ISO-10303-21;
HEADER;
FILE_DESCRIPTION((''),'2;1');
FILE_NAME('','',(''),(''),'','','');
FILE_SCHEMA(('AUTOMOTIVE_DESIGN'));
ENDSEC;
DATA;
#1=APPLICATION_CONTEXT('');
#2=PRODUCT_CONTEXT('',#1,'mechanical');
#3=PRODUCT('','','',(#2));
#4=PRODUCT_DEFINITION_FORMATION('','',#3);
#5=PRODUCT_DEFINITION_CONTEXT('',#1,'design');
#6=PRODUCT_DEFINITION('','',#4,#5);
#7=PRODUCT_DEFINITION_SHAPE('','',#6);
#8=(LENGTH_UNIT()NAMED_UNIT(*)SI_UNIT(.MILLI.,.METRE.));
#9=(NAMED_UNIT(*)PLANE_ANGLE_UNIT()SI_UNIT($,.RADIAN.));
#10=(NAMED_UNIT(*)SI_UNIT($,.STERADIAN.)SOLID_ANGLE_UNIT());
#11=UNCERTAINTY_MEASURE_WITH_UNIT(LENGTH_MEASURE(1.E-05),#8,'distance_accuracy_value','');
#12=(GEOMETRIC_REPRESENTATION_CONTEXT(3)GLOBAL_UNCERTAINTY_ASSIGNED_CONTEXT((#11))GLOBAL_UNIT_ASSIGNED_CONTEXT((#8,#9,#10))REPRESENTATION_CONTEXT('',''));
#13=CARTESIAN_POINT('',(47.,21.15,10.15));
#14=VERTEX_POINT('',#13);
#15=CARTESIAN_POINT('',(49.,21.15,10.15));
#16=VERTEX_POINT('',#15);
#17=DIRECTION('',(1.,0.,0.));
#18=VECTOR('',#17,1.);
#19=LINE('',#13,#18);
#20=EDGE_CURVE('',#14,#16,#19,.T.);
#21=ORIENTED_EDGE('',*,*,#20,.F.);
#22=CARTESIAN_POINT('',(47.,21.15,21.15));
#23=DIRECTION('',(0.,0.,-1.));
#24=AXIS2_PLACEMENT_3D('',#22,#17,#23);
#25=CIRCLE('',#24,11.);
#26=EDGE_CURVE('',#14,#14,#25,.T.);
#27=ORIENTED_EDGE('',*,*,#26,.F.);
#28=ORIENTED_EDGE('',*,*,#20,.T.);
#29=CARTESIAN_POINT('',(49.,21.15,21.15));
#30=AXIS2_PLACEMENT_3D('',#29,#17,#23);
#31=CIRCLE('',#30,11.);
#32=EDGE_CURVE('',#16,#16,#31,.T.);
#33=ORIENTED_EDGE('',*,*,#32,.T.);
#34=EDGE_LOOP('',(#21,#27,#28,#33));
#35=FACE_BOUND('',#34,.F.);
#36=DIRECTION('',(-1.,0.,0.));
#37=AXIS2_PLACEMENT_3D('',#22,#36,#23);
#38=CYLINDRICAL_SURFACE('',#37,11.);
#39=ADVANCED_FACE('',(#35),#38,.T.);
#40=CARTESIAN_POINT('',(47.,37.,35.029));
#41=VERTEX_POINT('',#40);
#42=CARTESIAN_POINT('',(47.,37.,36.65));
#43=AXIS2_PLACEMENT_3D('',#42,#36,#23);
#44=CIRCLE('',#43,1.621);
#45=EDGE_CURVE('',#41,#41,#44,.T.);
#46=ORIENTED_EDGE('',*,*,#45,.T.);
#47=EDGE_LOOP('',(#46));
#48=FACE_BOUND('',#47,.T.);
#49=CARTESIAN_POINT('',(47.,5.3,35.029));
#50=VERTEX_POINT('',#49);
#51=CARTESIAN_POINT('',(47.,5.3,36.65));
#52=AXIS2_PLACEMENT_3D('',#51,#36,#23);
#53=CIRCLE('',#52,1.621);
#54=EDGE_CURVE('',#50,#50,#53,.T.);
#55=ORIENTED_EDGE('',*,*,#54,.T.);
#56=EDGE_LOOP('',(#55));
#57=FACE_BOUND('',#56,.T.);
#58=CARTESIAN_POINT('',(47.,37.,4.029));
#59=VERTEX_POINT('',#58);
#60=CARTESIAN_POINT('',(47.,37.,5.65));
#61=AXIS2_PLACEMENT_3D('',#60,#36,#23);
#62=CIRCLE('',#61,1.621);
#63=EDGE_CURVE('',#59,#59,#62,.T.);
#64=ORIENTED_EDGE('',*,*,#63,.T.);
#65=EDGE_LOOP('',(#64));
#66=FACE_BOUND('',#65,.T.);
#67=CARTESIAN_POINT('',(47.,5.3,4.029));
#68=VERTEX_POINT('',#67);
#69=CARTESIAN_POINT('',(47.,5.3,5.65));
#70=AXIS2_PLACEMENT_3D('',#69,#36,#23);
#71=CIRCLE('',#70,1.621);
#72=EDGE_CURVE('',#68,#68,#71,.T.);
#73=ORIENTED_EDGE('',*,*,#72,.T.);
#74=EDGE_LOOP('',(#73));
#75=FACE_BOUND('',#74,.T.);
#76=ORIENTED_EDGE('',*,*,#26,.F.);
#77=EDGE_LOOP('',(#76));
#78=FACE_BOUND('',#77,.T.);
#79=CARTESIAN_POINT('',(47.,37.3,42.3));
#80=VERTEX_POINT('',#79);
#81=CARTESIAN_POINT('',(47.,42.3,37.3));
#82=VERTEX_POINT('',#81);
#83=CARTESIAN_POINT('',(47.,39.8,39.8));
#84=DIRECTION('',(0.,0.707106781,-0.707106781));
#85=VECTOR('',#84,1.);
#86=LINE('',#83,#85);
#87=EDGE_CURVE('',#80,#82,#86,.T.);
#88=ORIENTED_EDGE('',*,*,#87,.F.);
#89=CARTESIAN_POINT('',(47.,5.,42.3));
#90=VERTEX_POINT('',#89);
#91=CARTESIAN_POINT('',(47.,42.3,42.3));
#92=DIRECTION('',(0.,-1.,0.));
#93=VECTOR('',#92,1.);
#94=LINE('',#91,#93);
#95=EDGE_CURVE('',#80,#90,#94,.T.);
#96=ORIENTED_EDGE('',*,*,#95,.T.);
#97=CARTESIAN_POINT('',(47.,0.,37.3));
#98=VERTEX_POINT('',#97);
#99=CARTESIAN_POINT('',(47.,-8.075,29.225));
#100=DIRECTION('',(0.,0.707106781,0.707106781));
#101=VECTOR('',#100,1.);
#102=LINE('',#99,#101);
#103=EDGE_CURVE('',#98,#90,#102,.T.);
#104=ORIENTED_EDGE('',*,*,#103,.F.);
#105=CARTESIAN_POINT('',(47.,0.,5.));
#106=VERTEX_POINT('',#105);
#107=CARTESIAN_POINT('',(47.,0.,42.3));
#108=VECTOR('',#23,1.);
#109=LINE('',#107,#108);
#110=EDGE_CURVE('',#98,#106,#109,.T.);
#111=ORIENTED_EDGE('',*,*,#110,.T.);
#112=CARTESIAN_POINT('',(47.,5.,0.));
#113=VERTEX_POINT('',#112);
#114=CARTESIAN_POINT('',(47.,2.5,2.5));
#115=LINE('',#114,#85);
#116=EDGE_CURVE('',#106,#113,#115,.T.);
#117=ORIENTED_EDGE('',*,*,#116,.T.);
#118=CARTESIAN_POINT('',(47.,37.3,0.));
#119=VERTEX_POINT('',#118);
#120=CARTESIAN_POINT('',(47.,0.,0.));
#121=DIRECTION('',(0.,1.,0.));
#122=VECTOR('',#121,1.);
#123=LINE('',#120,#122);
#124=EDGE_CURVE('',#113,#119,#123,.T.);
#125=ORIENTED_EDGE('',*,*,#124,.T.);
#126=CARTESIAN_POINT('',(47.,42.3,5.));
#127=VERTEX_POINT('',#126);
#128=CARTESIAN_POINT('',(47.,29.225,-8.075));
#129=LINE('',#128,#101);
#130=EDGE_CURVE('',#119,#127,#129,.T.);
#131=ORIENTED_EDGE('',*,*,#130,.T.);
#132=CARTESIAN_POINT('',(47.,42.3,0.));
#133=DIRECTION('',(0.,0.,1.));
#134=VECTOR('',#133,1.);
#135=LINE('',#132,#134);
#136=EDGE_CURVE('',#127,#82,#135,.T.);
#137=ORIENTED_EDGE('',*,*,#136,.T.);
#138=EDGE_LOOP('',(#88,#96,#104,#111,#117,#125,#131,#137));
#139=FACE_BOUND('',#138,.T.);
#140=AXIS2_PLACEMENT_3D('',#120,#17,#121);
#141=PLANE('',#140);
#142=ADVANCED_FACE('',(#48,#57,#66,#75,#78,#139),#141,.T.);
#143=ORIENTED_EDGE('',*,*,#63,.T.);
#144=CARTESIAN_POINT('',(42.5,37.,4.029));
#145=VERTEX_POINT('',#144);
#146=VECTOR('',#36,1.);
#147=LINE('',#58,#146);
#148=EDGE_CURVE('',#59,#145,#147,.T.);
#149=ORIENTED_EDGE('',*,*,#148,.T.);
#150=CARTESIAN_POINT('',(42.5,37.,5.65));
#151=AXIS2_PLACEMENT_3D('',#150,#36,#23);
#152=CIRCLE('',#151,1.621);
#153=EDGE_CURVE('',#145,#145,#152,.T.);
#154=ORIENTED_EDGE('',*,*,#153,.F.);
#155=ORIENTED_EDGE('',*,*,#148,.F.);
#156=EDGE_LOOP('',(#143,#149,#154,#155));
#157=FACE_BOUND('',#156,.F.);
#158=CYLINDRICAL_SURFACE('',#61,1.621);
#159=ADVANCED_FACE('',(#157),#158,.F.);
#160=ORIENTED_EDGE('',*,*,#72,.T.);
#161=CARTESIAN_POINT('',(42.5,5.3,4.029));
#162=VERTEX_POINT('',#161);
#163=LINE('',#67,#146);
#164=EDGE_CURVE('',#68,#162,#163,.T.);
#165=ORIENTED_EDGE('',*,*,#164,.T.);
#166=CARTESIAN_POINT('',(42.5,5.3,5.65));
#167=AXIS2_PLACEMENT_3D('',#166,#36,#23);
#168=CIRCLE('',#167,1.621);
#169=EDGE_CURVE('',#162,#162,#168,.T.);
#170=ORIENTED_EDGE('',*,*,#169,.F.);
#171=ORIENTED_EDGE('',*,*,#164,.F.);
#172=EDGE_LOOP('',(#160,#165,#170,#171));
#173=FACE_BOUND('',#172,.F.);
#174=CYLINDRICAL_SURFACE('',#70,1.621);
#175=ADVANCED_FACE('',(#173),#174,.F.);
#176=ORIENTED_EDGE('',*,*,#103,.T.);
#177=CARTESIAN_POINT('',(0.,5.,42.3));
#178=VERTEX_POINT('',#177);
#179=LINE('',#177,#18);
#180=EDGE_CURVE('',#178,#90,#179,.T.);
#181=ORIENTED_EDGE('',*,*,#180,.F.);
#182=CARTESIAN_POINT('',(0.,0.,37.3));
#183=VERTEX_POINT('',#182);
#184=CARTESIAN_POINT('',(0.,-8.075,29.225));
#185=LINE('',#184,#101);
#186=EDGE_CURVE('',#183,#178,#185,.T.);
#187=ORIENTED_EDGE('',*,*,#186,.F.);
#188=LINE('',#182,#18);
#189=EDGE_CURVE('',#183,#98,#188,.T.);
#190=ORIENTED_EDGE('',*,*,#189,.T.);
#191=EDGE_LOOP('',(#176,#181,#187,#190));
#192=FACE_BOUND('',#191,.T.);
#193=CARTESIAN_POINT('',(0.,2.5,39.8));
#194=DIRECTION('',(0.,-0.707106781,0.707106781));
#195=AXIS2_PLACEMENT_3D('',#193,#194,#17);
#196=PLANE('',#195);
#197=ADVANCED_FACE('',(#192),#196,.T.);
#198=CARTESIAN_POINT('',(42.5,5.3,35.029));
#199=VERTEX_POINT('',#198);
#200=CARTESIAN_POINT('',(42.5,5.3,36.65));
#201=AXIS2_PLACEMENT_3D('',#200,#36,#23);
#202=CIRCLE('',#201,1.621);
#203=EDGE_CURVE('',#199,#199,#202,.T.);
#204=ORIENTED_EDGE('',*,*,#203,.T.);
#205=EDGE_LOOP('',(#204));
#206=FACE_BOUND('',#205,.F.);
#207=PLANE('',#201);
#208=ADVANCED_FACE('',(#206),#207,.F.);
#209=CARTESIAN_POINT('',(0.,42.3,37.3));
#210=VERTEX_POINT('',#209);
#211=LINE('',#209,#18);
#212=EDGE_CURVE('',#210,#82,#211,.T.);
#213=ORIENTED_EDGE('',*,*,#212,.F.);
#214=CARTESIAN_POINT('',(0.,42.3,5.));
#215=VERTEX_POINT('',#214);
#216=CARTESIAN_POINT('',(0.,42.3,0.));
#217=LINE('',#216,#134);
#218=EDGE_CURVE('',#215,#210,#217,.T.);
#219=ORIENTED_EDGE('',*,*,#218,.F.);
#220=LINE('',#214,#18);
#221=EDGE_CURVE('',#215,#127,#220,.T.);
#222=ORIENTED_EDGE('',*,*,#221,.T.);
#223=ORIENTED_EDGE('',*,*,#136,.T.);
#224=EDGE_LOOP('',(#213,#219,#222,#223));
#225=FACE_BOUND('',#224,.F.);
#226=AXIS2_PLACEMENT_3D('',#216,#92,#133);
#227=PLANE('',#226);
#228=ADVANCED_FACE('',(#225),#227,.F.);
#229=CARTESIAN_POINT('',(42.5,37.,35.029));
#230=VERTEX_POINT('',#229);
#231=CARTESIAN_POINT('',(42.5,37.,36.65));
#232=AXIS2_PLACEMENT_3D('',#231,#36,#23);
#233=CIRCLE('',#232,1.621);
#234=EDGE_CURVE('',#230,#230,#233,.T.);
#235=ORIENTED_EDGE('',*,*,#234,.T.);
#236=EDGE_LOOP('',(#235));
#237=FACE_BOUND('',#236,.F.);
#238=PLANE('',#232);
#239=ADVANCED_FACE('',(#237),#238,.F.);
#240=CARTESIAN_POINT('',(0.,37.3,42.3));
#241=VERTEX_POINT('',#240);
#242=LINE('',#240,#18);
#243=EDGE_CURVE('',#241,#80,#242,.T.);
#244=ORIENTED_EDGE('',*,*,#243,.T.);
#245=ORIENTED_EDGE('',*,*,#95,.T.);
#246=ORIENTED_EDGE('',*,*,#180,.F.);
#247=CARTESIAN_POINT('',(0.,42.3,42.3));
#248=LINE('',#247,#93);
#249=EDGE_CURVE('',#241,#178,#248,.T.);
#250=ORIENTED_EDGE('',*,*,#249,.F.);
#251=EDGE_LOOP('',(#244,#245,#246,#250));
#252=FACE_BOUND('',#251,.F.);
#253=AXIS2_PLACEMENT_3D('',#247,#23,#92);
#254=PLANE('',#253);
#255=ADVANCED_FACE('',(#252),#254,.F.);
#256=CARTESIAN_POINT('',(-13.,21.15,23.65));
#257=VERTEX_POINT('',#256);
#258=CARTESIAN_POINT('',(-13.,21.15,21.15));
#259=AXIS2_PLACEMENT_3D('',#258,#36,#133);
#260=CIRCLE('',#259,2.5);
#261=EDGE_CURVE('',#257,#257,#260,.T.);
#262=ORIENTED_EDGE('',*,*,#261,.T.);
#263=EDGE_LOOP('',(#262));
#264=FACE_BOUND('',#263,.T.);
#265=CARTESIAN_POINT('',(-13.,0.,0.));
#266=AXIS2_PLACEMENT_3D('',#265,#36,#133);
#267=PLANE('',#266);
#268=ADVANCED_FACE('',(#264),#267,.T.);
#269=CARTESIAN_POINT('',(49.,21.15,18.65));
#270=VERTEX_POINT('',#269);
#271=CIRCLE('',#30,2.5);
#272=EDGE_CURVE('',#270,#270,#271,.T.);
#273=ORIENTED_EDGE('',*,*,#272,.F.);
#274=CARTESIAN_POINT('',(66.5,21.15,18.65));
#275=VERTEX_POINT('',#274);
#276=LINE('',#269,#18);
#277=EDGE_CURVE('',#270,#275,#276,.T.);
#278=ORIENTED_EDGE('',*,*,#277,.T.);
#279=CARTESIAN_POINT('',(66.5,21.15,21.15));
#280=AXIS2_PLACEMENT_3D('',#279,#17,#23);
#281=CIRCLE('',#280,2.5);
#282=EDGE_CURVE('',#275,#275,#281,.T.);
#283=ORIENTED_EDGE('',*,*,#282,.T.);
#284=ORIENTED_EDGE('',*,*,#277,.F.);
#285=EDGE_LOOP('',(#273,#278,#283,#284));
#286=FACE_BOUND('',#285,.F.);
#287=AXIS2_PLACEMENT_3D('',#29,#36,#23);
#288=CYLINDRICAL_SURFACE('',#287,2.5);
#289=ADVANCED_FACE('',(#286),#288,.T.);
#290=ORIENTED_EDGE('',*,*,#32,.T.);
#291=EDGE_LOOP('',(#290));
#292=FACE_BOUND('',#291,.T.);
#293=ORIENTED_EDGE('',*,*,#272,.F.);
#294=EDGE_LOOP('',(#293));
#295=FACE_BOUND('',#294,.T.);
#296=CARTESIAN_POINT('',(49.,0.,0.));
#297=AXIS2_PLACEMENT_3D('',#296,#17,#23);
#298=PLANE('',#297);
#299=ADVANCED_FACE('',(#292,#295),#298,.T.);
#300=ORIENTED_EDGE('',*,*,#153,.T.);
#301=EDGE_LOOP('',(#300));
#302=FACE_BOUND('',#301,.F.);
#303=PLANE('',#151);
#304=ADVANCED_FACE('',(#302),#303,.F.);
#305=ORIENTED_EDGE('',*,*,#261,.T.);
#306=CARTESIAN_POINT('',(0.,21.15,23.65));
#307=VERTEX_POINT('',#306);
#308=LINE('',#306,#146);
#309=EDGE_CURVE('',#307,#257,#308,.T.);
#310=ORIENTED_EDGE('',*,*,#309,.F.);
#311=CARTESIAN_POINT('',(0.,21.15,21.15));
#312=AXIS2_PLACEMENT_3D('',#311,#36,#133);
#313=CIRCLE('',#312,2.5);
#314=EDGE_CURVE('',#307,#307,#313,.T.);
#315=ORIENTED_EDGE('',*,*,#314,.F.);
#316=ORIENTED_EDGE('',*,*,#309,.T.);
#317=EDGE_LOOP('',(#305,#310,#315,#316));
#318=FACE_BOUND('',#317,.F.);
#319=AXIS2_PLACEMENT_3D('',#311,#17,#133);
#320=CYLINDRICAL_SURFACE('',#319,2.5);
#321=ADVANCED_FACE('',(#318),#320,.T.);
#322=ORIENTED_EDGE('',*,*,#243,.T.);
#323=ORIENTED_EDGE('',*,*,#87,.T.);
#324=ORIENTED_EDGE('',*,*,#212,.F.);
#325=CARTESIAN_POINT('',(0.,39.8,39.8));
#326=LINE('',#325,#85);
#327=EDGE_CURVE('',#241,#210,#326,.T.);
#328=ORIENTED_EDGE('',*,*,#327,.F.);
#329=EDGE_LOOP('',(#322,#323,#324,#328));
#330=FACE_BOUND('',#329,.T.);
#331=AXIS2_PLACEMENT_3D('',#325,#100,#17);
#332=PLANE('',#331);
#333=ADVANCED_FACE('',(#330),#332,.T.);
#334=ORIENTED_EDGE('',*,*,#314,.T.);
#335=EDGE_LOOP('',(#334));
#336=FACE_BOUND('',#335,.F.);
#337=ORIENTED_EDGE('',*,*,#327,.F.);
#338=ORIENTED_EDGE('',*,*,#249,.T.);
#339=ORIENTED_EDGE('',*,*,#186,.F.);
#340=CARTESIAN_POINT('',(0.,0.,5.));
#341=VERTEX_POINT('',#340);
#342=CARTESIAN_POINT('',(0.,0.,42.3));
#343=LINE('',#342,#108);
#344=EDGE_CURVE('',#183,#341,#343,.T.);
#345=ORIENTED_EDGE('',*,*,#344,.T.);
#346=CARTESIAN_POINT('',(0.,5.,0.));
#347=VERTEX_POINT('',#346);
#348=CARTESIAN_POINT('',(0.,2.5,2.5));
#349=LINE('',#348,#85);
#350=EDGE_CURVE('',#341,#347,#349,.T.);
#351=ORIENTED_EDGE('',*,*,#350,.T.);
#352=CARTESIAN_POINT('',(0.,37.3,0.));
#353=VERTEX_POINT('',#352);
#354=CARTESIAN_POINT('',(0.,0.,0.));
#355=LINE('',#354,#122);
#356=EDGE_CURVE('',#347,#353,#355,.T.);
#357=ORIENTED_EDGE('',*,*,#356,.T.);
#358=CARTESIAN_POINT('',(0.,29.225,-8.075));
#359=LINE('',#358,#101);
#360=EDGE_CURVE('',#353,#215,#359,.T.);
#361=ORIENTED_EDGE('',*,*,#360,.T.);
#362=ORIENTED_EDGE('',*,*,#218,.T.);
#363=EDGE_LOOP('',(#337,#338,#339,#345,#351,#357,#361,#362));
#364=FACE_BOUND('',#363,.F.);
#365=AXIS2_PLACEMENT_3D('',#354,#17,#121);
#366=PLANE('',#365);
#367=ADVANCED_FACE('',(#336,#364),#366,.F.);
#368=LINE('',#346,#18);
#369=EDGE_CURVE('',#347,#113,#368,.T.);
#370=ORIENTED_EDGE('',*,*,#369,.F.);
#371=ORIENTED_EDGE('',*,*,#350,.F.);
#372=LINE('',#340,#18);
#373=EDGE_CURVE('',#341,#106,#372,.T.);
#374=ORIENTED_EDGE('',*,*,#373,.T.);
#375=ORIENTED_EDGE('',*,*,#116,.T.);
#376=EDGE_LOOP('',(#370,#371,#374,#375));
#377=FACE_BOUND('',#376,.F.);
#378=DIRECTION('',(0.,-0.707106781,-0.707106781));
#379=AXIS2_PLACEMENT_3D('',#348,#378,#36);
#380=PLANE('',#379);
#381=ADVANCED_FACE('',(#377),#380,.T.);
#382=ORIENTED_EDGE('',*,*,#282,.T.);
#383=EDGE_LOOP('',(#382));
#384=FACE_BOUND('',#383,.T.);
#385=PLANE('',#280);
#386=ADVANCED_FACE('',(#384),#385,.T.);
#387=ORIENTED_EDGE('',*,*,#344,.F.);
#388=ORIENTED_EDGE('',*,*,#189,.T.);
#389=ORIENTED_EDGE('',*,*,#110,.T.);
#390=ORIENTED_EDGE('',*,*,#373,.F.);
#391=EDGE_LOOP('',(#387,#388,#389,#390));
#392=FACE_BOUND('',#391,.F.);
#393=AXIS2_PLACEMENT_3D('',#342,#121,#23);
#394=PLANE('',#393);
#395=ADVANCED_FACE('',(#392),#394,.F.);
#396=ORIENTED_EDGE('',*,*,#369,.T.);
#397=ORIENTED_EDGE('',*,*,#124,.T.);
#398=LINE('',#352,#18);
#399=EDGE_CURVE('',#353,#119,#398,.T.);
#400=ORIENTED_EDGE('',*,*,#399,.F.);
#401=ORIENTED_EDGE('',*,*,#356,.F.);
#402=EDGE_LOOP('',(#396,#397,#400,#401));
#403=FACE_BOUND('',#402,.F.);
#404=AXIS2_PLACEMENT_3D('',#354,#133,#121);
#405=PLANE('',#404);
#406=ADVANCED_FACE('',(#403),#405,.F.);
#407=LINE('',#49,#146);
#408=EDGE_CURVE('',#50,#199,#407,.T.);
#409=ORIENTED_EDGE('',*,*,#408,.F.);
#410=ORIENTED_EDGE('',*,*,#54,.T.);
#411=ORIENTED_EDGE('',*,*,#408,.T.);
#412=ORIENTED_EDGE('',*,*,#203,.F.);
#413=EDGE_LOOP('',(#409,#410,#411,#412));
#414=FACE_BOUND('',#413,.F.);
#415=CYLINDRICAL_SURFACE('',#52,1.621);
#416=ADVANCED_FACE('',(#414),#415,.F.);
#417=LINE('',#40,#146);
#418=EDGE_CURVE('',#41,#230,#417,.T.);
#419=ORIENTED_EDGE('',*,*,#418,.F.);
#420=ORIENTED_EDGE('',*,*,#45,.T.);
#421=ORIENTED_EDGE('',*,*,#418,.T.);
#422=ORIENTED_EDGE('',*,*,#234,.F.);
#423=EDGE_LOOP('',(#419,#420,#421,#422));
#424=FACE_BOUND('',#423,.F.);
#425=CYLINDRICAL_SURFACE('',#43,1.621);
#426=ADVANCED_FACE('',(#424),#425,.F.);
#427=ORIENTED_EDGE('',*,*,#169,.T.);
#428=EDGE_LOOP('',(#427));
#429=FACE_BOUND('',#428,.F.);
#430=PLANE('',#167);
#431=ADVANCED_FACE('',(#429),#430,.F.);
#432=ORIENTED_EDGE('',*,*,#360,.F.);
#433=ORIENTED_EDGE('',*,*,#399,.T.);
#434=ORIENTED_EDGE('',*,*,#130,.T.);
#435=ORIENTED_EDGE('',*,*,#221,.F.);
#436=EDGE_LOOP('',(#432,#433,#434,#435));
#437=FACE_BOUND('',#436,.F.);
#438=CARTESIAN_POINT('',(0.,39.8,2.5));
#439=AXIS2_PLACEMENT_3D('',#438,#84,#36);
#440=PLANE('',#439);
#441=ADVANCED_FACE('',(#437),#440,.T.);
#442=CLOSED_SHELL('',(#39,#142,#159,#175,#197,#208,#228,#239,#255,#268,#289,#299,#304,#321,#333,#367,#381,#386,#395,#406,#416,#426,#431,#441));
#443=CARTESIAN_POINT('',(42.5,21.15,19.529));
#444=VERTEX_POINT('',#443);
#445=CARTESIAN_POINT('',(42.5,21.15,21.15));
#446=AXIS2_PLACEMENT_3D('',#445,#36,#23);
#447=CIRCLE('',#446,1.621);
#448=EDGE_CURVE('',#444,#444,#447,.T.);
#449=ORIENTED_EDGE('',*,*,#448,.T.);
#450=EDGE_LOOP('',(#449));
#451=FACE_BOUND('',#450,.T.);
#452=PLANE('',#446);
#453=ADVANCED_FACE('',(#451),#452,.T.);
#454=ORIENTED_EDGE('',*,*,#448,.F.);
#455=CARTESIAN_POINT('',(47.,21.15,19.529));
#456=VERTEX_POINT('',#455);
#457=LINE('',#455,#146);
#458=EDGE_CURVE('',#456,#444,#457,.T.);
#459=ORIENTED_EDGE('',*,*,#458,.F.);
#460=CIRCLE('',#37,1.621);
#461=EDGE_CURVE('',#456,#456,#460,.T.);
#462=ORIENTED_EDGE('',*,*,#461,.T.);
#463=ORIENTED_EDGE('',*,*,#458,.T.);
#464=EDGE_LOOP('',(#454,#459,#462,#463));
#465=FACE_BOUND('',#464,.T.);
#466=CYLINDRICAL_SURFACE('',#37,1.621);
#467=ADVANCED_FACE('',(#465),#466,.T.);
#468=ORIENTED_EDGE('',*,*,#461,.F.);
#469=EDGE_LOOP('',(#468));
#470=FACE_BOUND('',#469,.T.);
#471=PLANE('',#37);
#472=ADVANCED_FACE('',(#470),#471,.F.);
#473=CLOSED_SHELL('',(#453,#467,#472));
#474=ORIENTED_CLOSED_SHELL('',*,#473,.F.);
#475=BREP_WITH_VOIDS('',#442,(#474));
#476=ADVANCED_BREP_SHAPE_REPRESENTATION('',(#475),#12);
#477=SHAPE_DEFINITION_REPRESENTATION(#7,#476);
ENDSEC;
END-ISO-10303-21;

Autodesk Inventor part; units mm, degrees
ref_plane "YZ Plane" through (0, 0, 0) normal (1, 0, 0) x (0, 1, 0)
ref_plane "XZ Plane" through (0, 0, 0) normal (0, 1, 0) x (-1, 0, 0)
ref_plane "XY Plane" through (0, 0, 0) normal (0, 0, 1) x (1, 0, 0)
sketch "Sketch1" plane through (0, 0, 0) normal (1, 0, 0) x (0, 1, 0)
  line L0 (0, 0) -> (42.3, 0)
  line L1 (42.3, 0) -> (42.3, 42.3)
  line L2 (42.3, 42.3) -> (0, 42.3)
  line L3 (0, 42.3) -> (0, 0)
  dimension "d0" = 42.3
  dimension "d1" = 42.3
extrude "Extrusion1" add sketch "Sketch1" along normal blind 47
sketch "Sketch2" plane through (47, 0, 0) normal (1, 0, 0) x (0, 0, -1)
  circle A0 centre (-21.15, 21.15) radius 11
  dimension "d4" = 22
extrude "Extrusion2" add sketch "Sketch2" along normal blind 2
sketch "Sketch3" plane through (47, 0, 0) normal (1, 0, 0) x (0, 0, -1)
  line L0 (-36.65, 5.3) -> (-5.65, 37) construction
  line L1 (-5.65, 5.3) -> (-36.65, 37) construction
  point P0 (-21.15, 21.15)
  point P1 (-21.15, 21.15)
  point P2 (-21.15, 21.15)
  dimension "d7" = 31
hole "Hole1" at (47, 21.15, 21.15) at (47, 37, 36.65) at (47, 37, 5.65) at (47, 5.3, 5.65) at (47, 5.3, 36.65) direction (-1, 0, 0) diameter 3.242 depth 4.5 thread size "M4x0.7" class "6H" standard "ANSI Metric M Profile"
chamfer "Chamfer1" distance 5 angle 45 4 edges at (23.5, 42.3, 42.3) (23.5, 42.3, 0) (23.5, 0, 42.3) (23.5, 0, 0)
sketch "Sketch4" plane through (49, 21.15, 21.15) normal (1, 0, 0) x (0, 0, -1)
  circle A0 centre (0, 0) radius 11 projected
  circle A1 centre (0, 0) radius 2.5
  point P0 (21.15, -21.15)
  dimension "d18" = 5
extrude "Extrusion3" add sketch "Sketch4" along normal blind 17.5 contours A1
sketch "Sketch5" plane through (0, 0, 0) normal (-1, 0, 0) x (0, 0, 1)
  circle A0 centre (21.15, 21.15) radius 2.5
  point P0 (0, 0)
  dimension "d21" = 5
extrude "Extrusion4" add sketch "Sketch5" along normal blind 13
properties part number "NEMA17-dual-shaft"
